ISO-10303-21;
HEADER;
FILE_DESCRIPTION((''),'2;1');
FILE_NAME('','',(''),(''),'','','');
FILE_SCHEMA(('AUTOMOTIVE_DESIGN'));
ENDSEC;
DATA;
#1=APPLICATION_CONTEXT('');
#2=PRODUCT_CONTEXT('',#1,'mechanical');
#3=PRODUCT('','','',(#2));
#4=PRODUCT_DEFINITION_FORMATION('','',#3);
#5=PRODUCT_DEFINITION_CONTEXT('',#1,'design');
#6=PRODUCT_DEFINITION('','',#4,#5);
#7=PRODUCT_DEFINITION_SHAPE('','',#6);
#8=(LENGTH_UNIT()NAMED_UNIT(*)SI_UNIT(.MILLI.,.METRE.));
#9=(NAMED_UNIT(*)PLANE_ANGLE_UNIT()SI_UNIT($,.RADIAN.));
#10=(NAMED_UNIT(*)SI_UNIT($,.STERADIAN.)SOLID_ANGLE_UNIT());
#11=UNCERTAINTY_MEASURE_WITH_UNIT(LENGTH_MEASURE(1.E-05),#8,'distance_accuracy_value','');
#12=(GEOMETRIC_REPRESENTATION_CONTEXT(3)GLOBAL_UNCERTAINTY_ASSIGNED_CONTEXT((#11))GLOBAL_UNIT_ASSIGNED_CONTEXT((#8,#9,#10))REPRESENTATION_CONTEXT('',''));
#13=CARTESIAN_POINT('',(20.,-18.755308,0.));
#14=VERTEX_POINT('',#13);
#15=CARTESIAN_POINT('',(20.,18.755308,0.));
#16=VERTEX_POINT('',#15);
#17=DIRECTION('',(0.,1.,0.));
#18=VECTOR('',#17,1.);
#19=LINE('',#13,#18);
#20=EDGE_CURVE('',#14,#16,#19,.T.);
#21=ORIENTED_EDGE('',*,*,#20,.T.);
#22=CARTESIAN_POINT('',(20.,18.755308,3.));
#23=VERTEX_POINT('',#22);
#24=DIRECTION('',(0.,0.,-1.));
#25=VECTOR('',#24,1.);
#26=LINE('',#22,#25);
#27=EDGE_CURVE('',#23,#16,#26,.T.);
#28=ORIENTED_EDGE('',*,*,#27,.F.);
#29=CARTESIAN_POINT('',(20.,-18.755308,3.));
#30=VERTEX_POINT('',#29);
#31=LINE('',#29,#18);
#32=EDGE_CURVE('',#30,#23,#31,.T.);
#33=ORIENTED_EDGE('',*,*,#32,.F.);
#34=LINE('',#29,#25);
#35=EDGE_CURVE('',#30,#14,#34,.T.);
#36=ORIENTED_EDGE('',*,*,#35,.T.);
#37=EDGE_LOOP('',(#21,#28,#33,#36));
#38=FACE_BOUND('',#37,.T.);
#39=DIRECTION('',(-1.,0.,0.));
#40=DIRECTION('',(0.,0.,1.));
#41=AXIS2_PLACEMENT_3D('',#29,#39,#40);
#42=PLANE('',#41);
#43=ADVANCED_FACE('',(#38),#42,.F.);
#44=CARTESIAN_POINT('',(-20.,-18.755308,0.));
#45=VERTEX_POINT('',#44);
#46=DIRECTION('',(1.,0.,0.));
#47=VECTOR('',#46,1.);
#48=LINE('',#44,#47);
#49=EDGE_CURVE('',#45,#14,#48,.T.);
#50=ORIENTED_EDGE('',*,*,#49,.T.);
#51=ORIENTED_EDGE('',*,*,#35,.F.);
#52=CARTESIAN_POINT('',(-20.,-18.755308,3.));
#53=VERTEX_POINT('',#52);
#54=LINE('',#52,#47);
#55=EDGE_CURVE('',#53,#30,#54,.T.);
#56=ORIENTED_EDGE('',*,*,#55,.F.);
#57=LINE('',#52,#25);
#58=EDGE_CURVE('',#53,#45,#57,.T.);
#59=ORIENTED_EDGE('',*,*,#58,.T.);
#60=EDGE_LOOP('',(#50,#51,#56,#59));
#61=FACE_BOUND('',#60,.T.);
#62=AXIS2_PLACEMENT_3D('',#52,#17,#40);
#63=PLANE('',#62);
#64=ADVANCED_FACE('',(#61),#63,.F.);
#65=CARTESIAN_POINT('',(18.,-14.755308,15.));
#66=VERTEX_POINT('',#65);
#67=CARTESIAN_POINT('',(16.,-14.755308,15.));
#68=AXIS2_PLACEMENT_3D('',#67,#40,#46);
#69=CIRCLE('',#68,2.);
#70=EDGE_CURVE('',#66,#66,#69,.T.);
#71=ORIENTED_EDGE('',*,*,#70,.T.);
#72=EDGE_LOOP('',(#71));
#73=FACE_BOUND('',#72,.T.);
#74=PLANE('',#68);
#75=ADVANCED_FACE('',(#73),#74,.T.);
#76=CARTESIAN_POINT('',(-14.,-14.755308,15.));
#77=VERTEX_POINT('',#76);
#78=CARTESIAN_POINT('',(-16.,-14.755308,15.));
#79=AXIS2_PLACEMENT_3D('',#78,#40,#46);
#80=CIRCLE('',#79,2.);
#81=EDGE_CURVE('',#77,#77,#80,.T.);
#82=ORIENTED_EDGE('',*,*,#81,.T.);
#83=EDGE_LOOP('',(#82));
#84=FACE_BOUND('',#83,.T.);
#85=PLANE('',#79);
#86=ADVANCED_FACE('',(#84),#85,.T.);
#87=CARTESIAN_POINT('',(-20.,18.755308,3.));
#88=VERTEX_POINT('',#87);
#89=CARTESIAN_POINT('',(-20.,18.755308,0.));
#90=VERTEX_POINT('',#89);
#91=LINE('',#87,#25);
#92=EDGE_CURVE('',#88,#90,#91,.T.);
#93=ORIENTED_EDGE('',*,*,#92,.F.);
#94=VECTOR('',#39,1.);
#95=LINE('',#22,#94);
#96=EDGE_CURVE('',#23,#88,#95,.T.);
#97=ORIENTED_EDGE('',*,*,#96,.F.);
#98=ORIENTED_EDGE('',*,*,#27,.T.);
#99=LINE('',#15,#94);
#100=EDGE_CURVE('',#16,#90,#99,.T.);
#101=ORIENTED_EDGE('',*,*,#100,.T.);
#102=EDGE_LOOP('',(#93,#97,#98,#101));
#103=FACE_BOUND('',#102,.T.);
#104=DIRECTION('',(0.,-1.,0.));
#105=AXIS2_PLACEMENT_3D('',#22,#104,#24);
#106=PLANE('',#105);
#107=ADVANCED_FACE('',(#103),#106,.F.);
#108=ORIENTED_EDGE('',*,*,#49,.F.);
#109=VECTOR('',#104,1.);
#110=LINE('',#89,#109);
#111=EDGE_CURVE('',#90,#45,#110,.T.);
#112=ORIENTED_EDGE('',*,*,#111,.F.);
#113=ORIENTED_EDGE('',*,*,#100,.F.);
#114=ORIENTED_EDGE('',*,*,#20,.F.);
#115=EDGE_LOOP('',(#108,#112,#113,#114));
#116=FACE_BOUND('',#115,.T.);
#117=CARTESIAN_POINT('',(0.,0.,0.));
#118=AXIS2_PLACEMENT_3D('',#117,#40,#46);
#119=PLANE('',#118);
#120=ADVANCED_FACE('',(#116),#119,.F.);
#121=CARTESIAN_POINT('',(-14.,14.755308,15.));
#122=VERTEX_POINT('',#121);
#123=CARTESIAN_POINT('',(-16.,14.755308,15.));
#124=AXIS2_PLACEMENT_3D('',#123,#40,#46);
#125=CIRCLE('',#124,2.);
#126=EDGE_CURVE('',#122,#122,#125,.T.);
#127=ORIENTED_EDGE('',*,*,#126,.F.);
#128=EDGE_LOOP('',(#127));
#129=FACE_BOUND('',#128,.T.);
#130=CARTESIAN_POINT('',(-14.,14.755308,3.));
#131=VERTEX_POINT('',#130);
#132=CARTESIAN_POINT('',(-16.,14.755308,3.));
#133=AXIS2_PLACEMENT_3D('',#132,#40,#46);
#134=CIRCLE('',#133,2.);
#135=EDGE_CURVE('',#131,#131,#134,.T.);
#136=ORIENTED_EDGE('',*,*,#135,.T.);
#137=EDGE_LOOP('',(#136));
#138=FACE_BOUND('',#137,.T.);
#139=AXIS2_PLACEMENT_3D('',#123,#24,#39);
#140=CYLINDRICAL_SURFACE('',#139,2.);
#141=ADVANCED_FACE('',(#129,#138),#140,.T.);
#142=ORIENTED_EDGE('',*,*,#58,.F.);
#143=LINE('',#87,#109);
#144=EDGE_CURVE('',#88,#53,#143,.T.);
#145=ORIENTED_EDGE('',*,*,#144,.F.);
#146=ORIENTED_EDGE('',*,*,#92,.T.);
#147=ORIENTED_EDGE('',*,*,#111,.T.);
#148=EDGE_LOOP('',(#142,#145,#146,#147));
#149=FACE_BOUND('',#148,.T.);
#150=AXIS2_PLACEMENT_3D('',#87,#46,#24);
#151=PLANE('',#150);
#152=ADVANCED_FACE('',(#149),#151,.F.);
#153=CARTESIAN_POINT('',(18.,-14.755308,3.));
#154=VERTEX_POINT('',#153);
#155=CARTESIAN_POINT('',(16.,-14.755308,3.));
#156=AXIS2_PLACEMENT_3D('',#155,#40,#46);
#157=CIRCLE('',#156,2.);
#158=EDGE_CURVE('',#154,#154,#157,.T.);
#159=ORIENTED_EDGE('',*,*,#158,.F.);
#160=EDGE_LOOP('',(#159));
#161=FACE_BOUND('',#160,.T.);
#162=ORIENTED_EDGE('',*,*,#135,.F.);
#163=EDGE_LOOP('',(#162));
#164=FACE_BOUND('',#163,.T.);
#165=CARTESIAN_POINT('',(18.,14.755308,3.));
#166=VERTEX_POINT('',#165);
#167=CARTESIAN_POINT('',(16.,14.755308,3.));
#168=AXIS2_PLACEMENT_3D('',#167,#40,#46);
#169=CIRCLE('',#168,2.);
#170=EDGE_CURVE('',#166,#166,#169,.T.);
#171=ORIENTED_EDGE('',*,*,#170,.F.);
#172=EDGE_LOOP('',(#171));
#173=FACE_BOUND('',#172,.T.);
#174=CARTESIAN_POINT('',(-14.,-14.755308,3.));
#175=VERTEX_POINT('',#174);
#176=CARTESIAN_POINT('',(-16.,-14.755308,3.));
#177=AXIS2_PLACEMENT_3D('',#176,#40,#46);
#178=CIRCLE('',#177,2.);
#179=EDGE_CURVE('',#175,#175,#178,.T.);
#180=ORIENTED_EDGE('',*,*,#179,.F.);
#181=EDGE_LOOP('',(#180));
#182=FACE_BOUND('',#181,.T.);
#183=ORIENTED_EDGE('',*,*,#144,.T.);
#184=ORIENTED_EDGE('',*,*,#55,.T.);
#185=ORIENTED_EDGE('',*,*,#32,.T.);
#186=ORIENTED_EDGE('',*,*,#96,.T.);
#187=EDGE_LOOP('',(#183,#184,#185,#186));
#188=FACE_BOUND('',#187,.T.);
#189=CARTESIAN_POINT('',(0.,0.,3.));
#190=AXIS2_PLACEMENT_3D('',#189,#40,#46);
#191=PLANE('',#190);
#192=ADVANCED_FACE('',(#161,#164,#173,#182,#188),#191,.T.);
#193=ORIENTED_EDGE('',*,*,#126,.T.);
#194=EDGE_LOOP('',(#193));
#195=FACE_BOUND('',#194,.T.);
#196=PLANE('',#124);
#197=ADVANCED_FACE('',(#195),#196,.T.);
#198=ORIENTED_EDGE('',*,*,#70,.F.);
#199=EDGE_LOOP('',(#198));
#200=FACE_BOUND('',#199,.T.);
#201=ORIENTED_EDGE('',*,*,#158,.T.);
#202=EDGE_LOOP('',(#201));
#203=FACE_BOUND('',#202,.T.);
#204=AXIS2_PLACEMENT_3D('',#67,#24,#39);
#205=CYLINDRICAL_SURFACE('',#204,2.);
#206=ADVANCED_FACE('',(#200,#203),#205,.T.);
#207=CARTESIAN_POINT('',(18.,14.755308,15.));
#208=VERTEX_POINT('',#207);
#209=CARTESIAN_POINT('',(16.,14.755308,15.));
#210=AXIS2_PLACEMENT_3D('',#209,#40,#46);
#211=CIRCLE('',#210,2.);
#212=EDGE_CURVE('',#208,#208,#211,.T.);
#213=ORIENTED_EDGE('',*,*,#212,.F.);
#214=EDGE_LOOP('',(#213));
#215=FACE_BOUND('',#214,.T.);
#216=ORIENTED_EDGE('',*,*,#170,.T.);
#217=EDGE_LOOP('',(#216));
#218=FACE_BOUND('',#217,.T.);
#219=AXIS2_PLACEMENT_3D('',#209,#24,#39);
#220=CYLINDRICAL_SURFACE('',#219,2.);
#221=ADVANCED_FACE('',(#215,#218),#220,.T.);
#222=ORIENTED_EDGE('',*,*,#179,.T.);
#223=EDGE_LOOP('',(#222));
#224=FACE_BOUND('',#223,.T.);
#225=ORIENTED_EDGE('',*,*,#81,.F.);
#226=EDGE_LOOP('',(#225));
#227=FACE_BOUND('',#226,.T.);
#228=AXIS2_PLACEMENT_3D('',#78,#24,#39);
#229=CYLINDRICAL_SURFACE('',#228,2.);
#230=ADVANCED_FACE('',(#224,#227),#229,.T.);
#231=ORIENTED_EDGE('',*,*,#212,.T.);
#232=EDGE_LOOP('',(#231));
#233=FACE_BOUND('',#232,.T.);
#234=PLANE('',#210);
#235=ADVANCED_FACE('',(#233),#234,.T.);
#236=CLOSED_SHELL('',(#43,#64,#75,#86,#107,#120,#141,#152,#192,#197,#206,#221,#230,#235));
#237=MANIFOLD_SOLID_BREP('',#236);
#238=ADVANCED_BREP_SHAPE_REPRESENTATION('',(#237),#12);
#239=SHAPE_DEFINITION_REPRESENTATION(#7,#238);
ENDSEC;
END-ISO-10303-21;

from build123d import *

# Parameters (mm, degrees)
SKETCH_1_W         = 40
SKETCH_1_H         = 37.510615526
FORMER_BASE_DEPTH  = 3
FORMER_POSTS_START = 3
SKETCH_2_R         = 2
FORMER_POSTS_DEPTH = 12


with BuildPart() as part:
    # Эскиз1 → Former_base (new body)
    with BuildSketch(Plane.XY):
        Rectangle(SKETCH_1_W, SKETCH_1_H)
    extrude(amount=FORMER_BASE_DEPTH)

    # Эскиз2 → Former_posts (add)
    with BuildSketch(Plane.XY.offset(FORMER_POSTS_START)):
        with Locations((-16, -14.755307763)):
            Circle(SKETCH_2_R)
        with Locations((-16, 14.755307763)):
            Circle(SKETCH_2_R)
        with Locations((16, -14.755307763)):
            Circle(SKETCH_2_R)
        with Locations((16, 14.755307763)):
            Circle(SKETCH_2_R)
    extrude(amount=FORMER_POSTS_DEPTH)


solid = part.part
